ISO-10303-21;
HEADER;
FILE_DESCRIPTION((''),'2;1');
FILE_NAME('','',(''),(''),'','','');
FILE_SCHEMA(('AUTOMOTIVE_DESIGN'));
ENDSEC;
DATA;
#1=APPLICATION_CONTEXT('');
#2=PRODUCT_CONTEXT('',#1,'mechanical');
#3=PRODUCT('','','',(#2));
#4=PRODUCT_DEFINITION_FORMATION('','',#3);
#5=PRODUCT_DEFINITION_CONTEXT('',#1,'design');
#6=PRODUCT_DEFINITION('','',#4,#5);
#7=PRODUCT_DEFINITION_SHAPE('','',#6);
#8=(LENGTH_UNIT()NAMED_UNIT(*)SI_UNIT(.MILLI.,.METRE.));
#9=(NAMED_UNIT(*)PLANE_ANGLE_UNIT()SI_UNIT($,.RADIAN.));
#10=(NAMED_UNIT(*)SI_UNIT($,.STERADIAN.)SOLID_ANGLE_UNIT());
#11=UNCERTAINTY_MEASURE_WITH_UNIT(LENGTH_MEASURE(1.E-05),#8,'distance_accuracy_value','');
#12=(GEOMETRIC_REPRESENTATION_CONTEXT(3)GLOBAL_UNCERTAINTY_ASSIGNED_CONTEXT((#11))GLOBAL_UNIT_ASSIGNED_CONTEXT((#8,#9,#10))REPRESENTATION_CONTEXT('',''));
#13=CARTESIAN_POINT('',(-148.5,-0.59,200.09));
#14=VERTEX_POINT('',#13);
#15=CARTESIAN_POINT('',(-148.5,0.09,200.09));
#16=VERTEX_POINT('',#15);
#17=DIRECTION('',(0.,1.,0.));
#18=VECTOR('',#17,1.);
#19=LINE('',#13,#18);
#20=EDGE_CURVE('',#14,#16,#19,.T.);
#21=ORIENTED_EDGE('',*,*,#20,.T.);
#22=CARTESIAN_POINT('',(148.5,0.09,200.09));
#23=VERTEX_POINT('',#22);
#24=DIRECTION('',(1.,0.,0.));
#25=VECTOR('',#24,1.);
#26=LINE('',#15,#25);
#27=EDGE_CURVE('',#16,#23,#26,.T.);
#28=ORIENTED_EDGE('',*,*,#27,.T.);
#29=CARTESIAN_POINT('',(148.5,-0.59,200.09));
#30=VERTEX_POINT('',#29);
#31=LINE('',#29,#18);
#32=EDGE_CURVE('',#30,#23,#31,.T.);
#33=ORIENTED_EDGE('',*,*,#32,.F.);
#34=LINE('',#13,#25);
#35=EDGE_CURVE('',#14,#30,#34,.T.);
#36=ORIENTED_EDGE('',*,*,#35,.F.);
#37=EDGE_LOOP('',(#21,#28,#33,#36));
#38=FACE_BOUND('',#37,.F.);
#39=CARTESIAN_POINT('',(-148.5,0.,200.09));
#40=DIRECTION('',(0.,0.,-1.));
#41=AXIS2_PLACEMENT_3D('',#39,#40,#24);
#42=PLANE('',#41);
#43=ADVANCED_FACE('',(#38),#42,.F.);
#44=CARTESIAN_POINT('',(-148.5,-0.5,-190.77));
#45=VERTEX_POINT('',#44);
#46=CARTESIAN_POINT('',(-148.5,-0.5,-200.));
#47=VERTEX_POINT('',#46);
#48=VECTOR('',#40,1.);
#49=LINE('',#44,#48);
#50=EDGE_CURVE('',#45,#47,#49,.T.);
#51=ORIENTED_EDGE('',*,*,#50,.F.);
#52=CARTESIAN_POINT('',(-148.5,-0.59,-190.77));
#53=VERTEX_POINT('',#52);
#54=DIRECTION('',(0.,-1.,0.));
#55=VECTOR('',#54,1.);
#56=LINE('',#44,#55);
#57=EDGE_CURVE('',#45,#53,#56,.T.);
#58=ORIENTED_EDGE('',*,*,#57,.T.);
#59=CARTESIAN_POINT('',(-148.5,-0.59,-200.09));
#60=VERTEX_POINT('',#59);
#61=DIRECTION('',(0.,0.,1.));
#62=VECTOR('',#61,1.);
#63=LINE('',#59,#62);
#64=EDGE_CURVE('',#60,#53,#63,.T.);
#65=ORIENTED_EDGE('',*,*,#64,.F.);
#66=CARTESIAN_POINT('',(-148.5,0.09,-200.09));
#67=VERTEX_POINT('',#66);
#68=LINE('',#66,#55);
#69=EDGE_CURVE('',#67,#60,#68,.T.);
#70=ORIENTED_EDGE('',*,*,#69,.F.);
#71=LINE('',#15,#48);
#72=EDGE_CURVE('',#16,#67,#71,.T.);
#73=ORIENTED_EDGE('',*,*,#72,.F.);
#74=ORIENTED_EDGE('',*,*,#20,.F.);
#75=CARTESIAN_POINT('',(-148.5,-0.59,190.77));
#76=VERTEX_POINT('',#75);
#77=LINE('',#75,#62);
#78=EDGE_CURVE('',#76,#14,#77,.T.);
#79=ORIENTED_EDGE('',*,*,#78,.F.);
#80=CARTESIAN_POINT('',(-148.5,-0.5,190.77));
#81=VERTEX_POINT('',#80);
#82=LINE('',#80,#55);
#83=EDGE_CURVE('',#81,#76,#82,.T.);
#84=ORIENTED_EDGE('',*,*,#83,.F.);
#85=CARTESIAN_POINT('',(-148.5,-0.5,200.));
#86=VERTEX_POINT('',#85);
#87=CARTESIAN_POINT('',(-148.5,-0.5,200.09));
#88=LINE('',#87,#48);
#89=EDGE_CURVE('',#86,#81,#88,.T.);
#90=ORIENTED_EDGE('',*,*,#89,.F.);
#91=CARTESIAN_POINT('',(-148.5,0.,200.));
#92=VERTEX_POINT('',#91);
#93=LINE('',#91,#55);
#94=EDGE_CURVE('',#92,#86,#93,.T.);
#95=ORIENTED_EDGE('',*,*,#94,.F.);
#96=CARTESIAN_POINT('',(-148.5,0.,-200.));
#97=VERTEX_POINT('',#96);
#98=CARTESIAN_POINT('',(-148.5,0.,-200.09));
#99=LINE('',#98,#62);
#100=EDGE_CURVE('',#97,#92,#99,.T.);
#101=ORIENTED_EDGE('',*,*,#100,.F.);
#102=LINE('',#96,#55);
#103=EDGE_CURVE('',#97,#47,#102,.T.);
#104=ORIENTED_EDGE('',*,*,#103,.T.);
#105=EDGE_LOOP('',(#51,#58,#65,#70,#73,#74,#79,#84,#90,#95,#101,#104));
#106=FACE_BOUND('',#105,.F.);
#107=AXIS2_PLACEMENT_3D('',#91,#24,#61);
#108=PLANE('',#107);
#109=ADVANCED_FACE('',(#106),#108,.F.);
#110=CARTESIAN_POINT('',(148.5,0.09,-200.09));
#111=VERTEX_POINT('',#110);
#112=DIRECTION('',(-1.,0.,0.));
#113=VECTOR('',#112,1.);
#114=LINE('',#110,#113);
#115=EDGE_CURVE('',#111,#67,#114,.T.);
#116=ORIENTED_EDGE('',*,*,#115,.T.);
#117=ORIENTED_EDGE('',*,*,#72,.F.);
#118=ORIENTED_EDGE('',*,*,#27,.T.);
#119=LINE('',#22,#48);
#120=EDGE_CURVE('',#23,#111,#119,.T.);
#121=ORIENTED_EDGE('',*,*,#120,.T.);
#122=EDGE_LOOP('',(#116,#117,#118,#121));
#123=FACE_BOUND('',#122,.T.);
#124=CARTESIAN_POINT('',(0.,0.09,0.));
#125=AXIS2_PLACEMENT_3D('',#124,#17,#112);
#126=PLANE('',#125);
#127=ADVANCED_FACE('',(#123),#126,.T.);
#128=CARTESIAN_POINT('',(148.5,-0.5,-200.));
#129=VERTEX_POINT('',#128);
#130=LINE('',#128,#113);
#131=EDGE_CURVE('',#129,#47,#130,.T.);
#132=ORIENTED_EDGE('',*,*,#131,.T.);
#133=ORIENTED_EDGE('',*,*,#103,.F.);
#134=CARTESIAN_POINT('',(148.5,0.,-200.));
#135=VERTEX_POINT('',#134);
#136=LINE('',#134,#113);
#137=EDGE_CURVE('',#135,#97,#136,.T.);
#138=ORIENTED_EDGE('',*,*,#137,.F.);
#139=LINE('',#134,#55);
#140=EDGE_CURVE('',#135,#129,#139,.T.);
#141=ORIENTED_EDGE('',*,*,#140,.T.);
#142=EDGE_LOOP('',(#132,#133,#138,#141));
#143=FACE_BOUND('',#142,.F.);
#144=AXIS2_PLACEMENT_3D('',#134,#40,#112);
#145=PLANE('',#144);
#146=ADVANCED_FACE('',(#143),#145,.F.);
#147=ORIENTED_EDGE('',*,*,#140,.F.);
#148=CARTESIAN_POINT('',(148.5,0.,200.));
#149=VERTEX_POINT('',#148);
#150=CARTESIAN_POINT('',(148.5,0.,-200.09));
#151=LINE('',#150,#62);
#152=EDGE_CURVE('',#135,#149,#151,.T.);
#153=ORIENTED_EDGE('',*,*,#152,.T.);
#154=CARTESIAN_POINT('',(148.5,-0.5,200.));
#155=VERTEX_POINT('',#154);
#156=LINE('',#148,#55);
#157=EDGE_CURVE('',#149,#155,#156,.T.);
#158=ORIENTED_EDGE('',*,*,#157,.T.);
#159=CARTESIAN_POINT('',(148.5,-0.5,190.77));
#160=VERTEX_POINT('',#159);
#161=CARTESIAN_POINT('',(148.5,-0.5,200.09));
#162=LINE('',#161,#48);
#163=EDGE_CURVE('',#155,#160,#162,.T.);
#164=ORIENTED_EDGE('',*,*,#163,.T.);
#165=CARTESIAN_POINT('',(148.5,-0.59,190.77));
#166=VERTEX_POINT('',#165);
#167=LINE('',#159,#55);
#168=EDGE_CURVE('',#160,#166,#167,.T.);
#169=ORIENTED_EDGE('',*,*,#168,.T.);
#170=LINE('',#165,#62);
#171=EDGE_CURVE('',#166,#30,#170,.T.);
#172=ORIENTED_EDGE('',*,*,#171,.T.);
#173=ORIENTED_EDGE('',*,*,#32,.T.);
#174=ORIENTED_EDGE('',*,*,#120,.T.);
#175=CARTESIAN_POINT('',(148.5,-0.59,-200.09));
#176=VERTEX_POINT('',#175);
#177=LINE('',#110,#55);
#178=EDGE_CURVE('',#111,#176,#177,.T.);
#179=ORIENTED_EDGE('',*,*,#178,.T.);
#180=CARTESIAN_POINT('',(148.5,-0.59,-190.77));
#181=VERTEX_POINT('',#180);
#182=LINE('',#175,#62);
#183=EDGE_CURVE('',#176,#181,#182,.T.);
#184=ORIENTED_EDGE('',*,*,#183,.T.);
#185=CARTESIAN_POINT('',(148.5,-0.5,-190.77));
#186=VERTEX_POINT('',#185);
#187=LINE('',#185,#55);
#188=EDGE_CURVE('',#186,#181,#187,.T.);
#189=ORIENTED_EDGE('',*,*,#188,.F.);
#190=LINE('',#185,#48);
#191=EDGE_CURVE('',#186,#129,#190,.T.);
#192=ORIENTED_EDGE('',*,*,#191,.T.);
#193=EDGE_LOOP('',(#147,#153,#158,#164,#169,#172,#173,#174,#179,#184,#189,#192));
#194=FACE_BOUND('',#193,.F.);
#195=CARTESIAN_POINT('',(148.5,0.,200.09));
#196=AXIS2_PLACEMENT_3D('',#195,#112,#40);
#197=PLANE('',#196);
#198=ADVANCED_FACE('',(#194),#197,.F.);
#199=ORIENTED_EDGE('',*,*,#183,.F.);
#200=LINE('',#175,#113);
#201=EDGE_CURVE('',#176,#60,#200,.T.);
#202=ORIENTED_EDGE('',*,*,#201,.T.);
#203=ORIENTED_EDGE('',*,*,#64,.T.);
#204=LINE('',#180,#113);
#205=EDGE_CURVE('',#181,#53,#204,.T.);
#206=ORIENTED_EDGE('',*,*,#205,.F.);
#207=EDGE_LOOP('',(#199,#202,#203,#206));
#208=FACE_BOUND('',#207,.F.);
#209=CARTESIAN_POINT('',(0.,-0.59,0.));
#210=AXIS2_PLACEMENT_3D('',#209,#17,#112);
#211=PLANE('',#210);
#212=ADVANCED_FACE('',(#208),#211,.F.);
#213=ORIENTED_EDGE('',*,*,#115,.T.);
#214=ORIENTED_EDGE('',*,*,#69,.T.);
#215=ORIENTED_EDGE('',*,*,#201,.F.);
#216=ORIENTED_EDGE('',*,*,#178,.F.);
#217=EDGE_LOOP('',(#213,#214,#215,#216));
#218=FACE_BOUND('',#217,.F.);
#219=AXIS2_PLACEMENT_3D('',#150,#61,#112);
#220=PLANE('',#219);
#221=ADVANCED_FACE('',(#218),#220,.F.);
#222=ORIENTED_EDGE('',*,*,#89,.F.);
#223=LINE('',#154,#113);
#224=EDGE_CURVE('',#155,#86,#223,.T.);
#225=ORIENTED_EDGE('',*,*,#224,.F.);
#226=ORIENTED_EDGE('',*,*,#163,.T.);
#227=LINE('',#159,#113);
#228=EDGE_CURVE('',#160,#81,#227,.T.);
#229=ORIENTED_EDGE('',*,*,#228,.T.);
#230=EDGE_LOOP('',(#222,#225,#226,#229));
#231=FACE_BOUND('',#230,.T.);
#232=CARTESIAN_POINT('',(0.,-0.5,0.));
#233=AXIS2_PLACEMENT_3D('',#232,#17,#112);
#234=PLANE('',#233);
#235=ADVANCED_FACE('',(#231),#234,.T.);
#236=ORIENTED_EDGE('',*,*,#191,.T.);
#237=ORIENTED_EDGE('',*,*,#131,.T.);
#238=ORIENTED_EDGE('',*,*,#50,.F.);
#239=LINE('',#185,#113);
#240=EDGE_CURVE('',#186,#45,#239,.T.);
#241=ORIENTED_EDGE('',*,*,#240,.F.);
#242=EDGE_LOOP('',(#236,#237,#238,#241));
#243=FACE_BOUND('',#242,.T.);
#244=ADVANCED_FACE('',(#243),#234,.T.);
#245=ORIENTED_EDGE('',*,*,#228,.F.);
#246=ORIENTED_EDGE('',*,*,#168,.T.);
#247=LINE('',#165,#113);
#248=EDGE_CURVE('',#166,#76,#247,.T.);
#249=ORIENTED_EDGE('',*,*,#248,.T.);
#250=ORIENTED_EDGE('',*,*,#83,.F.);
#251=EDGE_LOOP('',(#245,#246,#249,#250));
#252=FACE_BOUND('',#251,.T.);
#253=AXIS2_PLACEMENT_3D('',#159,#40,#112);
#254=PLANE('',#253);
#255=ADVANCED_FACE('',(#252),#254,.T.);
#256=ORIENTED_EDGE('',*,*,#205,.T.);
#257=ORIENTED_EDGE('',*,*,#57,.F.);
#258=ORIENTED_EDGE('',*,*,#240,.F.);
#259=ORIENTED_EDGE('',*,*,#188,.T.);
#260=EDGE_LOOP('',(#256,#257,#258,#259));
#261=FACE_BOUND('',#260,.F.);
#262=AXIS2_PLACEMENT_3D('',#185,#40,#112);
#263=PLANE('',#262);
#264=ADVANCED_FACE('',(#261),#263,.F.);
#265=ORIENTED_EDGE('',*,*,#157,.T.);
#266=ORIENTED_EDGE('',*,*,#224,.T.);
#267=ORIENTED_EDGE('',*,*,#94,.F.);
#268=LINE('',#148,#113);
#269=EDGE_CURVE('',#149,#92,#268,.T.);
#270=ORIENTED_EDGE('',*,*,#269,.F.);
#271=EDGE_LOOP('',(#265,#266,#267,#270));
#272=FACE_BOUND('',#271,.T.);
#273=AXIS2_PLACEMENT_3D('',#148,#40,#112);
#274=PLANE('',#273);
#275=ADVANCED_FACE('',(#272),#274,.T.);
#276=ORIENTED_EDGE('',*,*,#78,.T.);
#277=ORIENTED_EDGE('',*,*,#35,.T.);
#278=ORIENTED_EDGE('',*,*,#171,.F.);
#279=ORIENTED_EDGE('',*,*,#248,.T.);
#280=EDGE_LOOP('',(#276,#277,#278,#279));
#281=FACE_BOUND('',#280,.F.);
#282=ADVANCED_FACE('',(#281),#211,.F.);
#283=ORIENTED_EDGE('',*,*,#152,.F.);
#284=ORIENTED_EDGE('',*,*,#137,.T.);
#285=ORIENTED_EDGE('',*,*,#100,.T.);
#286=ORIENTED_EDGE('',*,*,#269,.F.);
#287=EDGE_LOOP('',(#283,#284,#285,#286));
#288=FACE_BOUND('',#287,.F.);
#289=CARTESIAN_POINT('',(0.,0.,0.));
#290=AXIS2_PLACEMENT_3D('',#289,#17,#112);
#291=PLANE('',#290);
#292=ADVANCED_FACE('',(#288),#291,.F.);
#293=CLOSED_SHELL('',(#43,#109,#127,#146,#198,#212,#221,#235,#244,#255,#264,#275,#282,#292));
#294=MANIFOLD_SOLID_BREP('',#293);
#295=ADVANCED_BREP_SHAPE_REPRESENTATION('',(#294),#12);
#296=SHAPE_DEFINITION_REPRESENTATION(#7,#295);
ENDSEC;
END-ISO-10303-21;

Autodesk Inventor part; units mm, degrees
ref_plane "YZ Plane" through (0, 0, 0) normal (1, 0, 0) x (0, 1, 0)
ref_plane "XZ Plane" through (0, 0, 0) normal (0, 1, 0) x (-1, 0, 0)
ref_plane "XY Plane" through (0, 0, 0) normal (0, 0, 1) x (1, 0, 0)
sketch "スケッチ1" plane through (0, 0, 0) normal (0, 1, 0) x (-1, 0, 0)
  line L0 (148.5, 200.09) -> (-148.5, 200.09)
  line L1 (-148.5, 200.09) -> (-148.5, -200.09)
  line L2 (-148.5, -200.09) -> (148.5, -200.09)
  line L3 (148.5, -200.09) -> (148.5, 200.09)
  line L4 (148.5, 200.09) -> (-148.5, -200.09) construction
  line L5 (-148.5, 200.09) -> (148.5, -200.09) construction
  line L6 (-148.5, 190.77) -> (148.5, 190.77)
  line L7 (-207.9, 0) -> (207.9, 0) construction
  line L8 (-148.5, -190.77) -> (148.5, -190.77)
  line L9 (-148.5, 200) -> (148.5, 200)
  line L10 (-148.5, -200) -> (148.5, -200)
  point P0 (0, 0)
  point P1 (-148.5, -200)
  point P2 (-148.5, -190.77)
  dimension "d1" = 297
  dimension "d4" = 9.32
  dimension "d5" = 0.09
  dimension "d10" = 400
extrude "押し出し1" add sketch "スケッチ1" along normal blind 0.09
extrude "押し出し2" add sketch "スケッチ1" against normal blind 0.5 contours L3 L9 L1 L0 | L3 L2 L1 L10
extrude "押し出し3" add sketch "スケッチ1" against normal blind 0.09 from surface at -0.5 contours L3 L9 L1 L0 | L3 L6 L1 L9 | L3 L10 L1 L8 | L3 L2 L1 L10
properties part number "field_plate_SUS4301"
